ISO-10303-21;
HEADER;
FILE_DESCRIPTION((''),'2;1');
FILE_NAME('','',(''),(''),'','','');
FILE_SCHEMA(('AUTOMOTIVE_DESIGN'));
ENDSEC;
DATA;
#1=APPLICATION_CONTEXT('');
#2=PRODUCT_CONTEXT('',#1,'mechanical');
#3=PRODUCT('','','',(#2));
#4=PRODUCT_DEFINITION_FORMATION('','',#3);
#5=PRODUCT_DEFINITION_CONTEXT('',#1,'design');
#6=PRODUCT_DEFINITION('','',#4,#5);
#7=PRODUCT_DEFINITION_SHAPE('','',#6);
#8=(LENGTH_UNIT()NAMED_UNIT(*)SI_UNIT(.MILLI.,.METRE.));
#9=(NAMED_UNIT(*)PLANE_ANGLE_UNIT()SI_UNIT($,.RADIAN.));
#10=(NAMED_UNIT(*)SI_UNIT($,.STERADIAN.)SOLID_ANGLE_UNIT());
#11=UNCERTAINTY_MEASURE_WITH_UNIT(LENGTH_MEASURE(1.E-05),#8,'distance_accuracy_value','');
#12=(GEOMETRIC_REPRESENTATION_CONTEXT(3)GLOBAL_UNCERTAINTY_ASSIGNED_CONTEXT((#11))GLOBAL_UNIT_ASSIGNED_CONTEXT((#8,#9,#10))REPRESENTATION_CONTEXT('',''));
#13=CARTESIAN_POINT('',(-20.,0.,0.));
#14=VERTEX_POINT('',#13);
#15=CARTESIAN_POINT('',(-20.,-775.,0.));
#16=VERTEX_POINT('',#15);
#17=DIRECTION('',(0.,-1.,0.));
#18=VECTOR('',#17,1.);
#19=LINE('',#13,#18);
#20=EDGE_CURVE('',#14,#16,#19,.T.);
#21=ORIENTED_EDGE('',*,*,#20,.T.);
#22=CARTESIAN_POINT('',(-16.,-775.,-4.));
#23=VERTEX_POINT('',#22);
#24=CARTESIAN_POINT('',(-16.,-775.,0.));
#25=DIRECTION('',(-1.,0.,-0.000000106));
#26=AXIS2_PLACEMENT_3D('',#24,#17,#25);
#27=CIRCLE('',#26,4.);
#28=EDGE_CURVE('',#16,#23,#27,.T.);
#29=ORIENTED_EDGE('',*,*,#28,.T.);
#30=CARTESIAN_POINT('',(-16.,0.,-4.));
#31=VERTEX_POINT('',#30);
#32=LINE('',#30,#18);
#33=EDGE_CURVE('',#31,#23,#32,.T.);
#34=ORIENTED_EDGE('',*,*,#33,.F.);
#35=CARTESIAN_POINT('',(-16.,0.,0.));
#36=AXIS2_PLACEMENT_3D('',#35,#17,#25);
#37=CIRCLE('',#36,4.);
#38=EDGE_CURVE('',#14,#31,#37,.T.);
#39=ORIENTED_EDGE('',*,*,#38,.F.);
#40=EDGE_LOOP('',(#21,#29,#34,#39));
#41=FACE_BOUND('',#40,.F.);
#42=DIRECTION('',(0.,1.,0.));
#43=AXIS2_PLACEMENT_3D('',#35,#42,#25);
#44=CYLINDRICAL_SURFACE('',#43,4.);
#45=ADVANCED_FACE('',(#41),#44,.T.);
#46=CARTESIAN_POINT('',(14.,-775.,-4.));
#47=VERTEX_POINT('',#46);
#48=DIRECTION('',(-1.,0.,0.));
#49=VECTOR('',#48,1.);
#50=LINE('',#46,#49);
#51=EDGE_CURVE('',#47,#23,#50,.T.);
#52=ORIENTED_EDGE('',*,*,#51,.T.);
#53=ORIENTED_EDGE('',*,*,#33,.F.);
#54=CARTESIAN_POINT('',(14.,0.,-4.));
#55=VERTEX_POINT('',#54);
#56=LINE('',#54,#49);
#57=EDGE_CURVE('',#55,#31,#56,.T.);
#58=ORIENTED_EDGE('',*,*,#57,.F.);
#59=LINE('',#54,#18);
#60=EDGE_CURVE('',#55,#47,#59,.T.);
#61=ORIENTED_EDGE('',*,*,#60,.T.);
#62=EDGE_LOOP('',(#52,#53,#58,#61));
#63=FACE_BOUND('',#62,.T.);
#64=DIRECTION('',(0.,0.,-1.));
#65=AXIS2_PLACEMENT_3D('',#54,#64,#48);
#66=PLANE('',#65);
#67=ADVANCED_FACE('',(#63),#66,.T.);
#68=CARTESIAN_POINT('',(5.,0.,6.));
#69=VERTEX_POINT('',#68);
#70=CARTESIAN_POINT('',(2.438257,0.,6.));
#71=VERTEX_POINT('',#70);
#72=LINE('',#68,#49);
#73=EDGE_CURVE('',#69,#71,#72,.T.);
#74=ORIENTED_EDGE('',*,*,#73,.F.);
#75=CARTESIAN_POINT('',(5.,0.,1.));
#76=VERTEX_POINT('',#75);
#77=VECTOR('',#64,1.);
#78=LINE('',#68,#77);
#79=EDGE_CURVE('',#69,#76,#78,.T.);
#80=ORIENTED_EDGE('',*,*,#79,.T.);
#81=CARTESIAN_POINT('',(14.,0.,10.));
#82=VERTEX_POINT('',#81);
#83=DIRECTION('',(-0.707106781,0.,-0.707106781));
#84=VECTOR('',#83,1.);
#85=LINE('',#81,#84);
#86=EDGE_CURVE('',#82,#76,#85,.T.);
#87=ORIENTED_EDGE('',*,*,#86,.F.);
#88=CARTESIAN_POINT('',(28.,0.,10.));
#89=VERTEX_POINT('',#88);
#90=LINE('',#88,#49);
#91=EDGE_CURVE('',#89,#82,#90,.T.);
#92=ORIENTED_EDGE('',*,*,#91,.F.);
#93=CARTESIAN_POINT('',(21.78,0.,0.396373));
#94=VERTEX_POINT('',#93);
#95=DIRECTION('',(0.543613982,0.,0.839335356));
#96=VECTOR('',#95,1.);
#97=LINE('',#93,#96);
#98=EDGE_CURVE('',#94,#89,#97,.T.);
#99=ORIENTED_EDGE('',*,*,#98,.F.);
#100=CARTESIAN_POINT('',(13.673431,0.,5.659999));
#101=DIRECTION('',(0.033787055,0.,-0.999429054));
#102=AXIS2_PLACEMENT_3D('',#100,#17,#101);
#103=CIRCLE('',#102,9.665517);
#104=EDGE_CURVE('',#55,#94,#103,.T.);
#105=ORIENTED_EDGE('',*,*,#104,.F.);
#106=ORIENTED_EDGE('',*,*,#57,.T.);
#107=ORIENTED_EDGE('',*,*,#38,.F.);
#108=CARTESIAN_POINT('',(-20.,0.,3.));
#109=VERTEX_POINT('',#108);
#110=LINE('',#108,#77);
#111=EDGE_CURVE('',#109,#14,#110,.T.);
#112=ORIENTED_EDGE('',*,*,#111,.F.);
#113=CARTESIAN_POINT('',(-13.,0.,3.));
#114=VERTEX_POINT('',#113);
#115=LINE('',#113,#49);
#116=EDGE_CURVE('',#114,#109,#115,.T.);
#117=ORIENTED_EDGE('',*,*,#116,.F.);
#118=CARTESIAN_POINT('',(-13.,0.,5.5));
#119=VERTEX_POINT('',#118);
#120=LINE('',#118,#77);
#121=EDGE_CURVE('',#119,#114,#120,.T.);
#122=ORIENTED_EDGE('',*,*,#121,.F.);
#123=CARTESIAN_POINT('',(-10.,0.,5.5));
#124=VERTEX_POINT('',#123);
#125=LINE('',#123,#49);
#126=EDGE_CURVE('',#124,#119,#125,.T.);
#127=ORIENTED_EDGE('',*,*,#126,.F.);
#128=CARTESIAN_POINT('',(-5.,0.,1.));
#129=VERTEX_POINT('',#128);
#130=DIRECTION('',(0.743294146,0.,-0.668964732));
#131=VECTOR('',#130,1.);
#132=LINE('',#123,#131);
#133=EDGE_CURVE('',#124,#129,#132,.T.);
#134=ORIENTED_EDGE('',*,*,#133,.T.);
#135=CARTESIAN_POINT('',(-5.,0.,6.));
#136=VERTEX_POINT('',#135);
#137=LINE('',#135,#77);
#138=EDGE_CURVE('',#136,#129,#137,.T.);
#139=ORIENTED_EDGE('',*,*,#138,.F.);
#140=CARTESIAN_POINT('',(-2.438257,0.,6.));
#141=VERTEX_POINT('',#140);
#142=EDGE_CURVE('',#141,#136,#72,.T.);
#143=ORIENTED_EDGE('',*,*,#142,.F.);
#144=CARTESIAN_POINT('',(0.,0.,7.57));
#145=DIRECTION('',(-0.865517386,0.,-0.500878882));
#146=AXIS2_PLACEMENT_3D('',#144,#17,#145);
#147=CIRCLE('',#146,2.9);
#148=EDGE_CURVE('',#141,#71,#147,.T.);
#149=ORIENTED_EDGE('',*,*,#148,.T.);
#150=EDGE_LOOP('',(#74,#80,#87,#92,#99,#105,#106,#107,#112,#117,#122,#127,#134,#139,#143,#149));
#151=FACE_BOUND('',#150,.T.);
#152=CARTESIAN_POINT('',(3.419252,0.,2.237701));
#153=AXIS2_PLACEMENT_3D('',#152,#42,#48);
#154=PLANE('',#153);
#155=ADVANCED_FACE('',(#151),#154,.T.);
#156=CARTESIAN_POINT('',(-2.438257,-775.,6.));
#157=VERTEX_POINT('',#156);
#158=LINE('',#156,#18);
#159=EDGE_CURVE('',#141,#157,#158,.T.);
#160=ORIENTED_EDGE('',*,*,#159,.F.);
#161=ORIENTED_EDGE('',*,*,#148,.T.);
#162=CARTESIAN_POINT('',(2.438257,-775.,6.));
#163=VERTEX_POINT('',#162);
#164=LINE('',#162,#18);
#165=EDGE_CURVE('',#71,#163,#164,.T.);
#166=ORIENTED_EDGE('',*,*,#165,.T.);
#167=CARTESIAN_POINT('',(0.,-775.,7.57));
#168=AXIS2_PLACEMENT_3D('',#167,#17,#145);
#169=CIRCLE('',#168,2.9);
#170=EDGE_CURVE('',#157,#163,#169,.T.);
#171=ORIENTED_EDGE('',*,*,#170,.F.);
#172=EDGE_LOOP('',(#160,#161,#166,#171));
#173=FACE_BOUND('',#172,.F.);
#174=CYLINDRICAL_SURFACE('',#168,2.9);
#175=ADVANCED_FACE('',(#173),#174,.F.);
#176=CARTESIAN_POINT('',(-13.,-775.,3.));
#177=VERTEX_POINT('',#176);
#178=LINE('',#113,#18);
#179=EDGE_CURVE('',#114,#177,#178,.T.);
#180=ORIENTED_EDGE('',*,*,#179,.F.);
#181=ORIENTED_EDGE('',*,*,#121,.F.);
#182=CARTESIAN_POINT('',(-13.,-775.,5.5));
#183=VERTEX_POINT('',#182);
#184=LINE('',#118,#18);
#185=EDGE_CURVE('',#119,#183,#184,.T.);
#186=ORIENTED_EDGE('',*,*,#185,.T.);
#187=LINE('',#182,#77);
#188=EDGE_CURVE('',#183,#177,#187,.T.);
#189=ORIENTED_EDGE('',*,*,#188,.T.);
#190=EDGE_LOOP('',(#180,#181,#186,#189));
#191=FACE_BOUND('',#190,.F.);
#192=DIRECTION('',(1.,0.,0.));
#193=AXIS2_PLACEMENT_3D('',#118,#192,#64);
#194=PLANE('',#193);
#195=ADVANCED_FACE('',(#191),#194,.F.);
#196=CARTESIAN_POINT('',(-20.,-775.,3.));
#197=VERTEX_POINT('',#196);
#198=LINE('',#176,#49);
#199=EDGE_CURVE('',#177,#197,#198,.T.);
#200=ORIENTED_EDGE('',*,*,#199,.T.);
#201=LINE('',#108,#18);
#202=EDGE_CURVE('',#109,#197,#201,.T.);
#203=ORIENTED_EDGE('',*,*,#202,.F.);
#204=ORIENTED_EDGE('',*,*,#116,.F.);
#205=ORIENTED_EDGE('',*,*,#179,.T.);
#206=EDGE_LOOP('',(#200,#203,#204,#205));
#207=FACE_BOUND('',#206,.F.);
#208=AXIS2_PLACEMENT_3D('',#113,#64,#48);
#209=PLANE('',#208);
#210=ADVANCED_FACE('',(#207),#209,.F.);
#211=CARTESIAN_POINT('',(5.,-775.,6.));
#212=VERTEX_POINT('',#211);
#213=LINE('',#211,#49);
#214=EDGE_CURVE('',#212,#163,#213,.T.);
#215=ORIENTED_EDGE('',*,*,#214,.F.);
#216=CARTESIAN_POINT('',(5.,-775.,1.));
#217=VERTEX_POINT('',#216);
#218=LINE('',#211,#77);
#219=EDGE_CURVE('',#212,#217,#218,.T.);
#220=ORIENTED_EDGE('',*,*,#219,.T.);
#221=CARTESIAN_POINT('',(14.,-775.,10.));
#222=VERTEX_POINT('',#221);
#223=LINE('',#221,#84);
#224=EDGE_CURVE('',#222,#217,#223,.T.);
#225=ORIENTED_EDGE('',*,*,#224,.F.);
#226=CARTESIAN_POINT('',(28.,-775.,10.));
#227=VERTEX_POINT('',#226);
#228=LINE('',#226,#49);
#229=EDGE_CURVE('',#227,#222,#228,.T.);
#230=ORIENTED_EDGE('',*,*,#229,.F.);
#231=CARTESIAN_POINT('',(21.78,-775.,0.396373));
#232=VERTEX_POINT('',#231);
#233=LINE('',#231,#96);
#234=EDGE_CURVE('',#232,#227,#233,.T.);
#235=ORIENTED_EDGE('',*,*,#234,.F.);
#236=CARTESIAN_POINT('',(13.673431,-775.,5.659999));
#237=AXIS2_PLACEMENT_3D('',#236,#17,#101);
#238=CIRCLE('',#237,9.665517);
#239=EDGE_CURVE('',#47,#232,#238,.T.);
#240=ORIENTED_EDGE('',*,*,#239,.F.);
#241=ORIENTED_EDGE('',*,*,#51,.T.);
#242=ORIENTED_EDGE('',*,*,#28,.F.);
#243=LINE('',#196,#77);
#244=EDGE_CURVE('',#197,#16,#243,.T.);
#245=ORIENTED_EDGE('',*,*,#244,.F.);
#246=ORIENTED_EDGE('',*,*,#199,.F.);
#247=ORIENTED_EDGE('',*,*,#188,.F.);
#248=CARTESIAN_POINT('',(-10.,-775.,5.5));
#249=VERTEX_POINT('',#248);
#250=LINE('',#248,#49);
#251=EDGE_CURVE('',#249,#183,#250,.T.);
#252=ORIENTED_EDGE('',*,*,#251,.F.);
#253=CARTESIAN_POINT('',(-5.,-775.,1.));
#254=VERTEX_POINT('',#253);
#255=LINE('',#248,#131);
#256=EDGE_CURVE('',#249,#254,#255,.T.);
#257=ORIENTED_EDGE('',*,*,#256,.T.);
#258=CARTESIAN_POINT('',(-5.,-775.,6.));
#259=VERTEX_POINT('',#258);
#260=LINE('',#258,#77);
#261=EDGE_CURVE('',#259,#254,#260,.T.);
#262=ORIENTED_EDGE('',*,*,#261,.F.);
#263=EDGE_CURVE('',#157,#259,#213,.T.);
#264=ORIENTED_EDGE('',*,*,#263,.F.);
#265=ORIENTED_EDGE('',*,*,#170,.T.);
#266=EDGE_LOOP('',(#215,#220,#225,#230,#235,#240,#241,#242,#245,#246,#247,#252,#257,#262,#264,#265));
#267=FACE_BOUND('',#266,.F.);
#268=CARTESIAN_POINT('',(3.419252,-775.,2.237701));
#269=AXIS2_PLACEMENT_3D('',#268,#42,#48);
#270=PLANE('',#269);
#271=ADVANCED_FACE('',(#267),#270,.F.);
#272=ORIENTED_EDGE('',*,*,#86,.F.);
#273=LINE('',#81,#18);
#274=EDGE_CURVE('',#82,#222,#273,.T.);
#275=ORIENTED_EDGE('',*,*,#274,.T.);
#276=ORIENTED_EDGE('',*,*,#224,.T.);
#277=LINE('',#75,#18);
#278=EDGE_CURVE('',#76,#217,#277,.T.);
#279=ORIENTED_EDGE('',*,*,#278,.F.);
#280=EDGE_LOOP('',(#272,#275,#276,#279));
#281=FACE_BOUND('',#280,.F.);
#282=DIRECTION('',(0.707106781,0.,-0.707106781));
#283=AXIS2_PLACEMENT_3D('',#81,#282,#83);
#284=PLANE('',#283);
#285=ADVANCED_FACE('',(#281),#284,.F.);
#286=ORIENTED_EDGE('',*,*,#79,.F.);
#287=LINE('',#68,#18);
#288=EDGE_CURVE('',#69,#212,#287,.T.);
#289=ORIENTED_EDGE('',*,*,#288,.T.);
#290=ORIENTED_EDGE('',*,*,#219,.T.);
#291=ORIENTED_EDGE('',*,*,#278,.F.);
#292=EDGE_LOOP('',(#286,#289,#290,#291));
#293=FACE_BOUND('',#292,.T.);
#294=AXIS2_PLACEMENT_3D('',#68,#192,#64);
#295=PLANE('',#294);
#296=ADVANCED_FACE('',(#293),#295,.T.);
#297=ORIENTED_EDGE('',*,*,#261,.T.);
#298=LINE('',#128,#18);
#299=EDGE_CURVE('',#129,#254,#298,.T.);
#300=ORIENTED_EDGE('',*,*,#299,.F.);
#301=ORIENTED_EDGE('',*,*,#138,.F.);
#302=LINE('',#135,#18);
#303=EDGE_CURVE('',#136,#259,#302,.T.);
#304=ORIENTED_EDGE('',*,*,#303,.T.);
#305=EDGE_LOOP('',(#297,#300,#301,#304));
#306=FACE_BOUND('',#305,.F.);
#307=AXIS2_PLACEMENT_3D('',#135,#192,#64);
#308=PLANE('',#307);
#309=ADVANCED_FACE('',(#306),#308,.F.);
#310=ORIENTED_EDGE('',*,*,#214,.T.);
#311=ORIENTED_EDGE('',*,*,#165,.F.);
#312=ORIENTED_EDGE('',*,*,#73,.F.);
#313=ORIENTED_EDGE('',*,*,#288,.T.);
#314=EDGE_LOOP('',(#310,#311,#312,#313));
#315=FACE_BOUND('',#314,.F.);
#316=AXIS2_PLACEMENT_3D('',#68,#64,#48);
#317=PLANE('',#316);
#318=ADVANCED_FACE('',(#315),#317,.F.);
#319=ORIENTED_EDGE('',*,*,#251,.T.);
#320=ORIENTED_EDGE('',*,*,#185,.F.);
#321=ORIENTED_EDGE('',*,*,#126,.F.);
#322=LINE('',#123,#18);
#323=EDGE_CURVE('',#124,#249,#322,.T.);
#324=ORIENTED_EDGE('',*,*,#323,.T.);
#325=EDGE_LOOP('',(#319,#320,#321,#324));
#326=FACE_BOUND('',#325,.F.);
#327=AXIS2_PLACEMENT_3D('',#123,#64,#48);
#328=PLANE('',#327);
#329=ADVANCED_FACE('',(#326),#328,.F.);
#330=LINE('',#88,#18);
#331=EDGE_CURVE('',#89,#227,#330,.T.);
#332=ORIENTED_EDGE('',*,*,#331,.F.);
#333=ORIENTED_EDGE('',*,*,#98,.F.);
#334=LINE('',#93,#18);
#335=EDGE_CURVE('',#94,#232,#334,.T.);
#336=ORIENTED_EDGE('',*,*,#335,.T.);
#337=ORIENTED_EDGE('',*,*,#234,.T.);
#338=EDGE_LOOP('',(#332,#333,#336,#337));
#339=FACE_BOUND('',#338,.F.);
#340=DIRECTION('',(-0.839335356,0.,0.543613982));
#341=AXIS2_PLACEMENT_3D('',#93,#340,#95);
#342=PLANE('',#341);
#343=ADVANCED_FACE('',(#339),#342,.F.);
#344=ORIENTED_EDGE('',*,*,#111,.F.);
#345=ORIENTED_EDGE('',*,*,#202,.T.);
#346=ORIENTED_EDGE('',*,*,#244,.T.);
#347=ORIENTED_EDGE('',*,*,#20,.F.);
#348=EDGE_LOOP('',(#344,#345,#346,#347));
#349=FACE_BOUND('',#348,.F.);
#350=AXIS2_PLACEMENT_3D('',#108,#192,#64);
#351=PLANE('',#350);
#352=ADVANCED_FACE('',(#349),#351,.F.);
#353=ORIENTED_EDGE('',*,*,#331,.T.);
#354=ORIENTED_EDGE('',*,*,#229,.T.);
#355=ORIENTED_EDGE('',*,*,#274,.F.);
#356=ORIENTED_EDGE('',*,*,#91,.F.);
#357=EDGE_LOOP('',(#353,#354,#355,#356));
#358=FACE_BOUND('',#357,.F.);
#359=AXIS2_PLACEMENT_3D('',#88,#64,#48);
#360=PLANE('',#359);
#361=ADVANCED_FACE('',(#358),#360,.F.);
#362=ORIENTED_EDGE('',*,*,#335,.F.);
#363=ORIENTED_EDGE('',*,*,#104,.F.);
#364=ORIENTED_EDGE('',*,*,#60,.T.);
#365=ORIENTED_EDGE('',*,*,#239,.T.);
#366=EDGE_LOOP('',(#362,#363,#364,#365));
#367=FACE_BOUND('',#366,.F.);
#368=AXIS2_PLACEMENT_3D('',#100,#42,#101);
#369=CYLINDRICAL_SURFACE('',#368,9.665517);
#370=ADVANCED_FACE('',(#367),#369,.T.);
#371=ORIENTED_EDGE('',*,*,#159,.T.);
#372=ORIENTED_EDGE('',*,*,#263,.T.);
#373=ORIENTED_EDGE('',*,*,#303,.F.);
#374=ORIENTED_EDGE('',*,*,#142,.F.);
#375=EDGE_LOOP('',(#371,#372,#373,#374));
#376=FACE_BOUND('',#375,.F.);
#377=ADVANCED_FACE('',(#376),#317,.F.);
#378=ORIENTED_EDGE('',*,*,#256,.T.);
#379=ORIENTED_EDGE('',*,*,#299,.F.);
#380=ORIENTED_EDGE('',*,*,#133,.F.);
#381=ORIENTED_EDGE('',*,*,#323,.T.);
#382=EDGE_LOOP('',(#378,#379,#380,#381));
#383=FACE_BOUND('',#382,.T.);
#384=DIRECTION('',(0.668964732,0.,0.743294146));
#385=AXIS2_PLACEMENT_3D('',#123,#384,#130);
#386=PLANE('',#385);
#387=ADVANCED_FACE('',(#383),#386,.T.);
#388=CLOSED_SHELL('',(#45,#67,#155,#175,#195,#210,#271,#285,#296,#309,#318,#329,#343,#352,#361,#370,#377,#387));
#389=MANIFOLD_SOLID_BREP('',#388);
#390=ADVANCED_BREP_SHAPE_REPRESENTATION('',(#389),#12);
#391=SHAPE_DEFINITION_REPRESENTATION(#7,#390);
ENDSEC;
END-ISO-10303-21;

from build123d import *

# Parameters (mm, degrees)
PAD_DEPTH    = 775
POCKET_DEPTH = 800


with BuildPart() as part:
    # Sketch → Pad (new body)
    with BuildSketch(Plane.XZ):
        with BuildLine():
            Line((14, -4), (-16, -4))
            ThreePointArc((-20, 0), (-18.828427, -2.828427), (-16, -4))
            Line((-20, 3), (-20, 0))
            Line((-13, 3), (-20, 3))
            Line((-13, 5.5), (-13, 3))
            Line((-10, 5.5), (-13, 5.5))
            Line((-10, 5.5), (-5, 1))
            Line((-5, 6), (-5, 1))
            Line((5, 6), (-5, 6))
            Line((5, 6), (5, 1))
            Line((14, 10), (5, 1))
            Line((28, 10), (14, 10))
            Line((21.78, 0.396373), (28, 10))
            ThreePointArc((14, -4), (18.428584, -2.754913), (21.78, 0.396373))
        make_face()
    extrude(amount=PAD_DEPTH)

    # Sketch001 (on Face16 of Pad) → Pocket (cut)
    with BuildSketch(Plane.XZ.offset(775)):
        with BuildLine():
            ThreePointArc((-2.51, 6.117451), (0, 4.67), (2.51, 6.117451))
            Line((-2.51, 6.117451), (2.51, 6.117451))
        make_face()
    extrude(amount=-POCKET_DEPTH, mode=Mode.SUBTRACT)


solid = part.part
